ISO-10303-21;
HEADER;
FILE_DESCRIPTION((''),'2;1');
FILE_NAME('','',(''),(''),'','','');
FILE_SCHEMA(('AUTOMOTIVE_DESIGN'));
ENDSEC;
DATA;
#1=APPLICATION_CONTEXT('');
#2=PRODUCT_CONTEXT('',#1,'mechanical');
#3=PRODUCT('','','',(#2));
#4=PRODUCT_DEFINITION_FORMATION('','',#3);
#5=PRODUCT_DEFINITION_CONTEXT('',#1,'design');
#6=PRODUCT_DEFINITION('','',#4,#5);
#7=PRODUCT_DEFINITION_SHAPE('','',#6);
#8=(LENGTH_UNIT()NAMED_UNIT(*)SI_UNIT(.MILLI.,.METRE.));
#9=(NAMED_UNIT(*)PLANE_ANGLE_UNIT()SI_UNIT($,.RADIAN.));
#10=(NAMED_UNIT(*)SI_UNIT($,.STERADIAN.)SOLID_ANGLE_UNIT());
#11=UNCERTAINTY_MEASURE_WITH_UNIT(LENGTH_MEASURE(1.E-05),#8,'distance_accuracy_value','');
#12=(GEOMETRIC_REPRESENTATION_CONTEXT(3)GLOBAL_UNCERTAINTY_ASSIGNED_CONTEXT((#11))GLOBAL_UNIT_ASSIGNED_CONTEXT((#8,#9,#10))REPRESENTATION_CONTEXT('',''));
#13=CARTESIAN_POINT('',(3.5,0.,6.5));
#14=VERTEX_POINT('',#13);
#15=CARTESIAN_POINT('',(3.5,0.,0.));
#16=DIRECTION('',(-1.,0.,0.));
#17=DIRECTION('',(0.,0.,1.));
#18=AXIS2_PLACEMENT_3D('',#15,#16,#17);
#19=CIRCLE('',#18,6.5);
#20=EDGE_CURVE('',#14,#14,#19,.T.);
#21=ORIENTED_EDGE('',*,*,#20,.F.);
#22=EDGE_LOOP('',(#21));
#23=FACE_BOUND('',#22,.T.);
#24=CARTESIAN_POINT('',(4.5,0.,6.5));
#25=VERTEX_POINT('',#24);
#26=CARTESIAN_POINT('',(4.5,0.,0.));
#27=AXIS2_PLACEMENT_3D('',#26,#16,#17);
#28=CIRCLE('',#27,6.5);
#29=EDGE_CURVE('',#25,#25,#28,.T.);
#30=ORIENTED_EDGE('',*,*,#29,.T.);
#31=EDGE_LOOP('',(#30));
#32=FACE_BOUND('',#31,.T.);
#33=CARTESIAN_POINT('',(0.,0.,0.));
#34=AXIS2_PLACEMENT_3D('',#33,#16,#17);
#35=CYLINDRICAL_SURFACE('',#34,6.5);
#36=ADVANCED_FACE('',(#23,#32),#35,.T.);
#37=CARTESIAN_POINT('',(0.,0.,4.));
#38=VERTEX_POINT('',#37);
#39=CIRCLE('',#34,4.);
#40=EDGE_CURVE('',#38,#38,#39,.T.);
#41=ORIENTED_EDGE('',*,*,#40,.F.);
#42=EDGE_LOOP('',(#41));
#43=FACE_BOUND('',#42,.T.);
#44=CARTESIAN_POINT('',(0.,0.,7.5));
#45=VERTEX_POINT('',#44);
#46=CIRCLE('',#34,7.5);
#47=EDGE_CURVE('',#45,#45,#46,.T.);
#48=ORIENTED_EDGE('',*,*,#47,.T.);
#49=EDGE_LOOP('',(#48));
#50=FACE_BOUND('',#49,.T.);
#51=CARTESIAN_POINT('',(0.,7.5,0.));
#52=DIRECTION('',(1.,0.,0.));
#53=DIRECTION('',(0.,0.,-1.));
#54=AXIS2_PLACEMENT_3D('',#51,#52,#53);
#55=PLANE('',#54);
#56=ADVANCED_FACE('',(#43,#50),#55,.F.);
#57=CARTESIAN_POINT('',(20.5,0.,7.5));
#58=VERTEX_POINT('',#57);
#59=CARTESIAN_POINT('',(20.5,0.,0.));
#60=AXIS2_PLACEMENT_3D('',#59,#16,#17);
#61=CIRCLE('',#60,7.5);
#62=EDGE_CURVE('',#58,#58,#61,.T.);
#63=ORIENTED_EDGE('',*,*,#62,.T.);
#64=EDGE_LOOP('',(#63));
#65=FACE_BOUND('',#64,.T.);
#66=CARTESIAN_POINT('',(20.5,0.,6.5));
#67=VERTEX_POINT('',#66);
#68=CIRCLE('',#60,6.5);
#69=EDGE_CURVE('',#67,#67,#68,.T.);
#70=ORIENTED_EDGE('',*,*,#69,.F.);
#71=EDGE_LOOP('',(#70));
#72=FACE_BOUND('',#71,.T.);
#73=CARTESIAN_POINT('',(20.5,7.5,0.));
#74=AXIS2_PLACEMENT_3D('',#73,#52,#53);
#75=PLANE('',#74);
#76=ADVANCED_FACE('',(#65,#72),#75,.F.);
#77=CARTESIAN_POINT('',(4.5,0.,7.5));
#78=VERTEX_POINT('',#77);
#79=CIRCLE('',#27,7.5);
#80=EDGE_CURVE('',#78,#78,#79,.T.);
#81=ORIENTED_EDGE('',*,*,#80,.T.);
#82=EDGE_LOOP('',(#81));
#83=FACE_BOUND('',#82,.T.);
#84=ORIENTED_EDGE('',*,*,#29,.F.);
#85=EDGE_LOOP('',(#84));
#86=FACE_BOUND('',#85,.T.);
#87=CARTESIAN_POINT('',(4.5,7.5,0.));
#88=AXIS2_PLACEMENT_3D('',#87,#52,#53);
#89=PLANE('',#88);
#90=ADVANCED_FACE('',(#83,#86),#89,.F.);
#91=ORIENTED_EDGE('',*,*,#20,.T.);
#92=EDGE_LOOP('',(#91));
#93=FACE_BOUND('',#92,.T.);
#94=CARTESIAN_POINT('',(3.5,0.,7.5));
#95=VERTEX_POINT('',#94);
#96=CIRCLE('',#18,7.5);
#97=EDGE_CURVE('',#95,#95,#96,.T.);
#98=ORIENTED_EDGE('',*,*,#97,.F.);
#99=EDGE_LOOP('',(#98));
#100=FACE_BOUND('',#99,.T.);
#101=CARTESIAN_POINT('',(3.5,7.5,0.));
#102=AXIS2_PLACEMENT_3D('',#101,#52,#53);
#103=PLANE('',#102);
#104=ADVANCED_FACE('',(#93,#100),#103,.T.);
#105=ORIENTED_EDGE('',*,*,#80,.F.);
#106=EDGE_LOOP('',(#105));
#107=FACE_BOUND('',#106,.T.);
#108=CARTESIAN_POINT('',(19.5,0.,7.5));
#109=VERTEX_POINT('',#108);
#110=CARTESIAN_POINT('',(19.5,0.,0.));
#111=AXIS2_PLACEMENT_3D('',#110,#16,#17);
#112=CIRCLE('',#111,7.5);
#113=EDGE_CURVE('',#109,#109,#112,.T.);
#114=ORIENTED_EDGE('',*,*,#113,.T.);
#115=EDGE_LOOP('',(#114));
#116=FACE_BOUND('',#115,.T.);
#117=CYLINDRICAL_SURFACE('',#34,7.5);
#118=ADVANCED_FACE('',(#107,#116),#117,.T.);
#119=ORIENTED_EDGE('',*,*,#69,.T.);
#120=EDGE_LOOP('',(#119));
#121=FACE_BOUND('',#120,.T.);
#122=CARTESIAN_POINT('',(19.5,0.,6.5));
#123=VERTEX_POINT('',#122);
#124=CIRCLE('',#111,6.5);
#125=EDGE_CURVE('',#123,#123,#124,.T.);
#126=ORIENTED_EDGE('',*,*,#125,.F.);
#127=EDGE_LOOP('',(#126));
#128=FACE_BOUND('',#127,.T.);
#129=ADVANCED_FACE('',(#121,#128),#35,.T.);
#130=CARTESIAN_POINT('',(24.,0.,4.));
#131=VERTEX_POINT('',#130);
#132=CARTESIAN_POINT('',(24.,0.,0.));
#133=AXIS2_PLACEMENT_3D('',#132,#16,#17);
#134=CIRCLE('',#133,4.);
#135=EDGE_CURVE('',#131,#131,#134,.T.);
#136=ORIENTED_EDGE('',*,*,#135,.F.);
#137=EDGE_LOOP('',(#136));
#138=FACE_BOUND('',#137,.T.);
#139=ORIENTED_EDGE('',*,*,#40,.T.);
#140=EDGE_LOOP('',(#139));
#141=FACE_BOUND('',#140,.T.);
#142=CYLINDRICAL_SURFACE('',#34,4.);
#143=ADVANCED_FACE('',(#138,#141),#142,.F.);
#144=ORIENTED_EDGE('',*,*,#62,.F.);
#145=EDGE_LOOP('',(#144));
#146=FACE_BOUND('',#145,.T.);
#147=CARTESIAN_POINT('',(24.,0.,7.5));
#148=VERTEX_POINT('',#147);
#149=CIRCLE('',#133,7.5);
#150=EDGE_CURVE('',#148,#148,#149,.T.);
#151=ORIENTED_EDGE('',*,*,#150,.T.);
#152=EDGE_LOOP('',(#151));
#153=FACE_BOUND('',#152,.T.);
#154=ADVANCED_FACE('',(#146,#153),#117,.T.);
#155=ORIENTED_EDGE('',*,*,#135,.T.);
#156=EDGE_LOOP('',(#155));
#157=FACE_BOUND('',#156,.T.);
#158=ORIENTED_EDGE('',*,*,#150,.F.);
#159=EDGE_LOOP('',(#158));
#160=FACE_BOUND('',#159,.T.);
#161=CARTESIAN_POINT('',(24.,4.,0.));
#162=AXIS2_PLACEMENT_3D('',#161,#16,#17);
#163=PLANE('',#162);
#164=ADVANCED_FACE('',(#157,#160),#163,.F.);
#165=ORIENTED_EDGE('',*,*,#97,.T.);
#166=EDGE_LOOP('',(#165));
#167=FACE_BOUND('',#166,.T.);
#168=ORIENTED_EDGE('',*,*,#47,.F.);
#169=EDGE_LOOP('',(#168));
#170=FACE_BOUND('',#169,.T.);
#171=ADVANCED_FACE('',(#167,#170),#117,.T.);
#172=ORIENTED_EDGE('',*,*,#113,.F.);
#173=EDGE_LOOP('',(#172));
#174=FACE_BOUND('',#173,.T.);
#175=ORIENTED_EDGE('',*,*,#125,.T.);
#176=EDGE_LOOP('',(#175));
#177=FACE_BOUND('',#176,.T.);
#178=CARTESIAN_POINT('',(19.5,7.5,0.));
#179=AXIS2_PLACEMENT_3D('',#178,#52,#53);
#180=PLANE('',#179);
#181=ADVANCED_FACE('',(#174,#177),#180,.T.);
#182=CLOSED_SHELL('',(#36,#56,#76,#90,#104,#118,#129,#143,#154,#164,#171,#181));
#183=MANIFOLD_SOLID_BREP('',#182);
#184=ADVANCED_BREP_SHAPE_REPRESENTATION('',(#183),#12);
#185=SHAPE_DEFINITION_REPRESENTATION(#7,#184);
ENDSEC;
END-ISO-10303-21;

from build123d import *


with BuildPart() as part:
    # Croquis4 → Revolución1 (revolve)
    with BuildSketch(Plane.XY):
        Polygon((0, 4), (24, 4), (24, 7.5), (20.5, 7.5), (20.5, 6.5), (19.5, 6.5), (19.5, 7.5), (4.5, 7.5), (4.5, 6.5), (3.5, 6.5), (3.5, 7.5), (0, 7.5), align=None)
    revolve(axis=Axis((0, 0, 0), (1, 0, 0)))


solid = part.part
